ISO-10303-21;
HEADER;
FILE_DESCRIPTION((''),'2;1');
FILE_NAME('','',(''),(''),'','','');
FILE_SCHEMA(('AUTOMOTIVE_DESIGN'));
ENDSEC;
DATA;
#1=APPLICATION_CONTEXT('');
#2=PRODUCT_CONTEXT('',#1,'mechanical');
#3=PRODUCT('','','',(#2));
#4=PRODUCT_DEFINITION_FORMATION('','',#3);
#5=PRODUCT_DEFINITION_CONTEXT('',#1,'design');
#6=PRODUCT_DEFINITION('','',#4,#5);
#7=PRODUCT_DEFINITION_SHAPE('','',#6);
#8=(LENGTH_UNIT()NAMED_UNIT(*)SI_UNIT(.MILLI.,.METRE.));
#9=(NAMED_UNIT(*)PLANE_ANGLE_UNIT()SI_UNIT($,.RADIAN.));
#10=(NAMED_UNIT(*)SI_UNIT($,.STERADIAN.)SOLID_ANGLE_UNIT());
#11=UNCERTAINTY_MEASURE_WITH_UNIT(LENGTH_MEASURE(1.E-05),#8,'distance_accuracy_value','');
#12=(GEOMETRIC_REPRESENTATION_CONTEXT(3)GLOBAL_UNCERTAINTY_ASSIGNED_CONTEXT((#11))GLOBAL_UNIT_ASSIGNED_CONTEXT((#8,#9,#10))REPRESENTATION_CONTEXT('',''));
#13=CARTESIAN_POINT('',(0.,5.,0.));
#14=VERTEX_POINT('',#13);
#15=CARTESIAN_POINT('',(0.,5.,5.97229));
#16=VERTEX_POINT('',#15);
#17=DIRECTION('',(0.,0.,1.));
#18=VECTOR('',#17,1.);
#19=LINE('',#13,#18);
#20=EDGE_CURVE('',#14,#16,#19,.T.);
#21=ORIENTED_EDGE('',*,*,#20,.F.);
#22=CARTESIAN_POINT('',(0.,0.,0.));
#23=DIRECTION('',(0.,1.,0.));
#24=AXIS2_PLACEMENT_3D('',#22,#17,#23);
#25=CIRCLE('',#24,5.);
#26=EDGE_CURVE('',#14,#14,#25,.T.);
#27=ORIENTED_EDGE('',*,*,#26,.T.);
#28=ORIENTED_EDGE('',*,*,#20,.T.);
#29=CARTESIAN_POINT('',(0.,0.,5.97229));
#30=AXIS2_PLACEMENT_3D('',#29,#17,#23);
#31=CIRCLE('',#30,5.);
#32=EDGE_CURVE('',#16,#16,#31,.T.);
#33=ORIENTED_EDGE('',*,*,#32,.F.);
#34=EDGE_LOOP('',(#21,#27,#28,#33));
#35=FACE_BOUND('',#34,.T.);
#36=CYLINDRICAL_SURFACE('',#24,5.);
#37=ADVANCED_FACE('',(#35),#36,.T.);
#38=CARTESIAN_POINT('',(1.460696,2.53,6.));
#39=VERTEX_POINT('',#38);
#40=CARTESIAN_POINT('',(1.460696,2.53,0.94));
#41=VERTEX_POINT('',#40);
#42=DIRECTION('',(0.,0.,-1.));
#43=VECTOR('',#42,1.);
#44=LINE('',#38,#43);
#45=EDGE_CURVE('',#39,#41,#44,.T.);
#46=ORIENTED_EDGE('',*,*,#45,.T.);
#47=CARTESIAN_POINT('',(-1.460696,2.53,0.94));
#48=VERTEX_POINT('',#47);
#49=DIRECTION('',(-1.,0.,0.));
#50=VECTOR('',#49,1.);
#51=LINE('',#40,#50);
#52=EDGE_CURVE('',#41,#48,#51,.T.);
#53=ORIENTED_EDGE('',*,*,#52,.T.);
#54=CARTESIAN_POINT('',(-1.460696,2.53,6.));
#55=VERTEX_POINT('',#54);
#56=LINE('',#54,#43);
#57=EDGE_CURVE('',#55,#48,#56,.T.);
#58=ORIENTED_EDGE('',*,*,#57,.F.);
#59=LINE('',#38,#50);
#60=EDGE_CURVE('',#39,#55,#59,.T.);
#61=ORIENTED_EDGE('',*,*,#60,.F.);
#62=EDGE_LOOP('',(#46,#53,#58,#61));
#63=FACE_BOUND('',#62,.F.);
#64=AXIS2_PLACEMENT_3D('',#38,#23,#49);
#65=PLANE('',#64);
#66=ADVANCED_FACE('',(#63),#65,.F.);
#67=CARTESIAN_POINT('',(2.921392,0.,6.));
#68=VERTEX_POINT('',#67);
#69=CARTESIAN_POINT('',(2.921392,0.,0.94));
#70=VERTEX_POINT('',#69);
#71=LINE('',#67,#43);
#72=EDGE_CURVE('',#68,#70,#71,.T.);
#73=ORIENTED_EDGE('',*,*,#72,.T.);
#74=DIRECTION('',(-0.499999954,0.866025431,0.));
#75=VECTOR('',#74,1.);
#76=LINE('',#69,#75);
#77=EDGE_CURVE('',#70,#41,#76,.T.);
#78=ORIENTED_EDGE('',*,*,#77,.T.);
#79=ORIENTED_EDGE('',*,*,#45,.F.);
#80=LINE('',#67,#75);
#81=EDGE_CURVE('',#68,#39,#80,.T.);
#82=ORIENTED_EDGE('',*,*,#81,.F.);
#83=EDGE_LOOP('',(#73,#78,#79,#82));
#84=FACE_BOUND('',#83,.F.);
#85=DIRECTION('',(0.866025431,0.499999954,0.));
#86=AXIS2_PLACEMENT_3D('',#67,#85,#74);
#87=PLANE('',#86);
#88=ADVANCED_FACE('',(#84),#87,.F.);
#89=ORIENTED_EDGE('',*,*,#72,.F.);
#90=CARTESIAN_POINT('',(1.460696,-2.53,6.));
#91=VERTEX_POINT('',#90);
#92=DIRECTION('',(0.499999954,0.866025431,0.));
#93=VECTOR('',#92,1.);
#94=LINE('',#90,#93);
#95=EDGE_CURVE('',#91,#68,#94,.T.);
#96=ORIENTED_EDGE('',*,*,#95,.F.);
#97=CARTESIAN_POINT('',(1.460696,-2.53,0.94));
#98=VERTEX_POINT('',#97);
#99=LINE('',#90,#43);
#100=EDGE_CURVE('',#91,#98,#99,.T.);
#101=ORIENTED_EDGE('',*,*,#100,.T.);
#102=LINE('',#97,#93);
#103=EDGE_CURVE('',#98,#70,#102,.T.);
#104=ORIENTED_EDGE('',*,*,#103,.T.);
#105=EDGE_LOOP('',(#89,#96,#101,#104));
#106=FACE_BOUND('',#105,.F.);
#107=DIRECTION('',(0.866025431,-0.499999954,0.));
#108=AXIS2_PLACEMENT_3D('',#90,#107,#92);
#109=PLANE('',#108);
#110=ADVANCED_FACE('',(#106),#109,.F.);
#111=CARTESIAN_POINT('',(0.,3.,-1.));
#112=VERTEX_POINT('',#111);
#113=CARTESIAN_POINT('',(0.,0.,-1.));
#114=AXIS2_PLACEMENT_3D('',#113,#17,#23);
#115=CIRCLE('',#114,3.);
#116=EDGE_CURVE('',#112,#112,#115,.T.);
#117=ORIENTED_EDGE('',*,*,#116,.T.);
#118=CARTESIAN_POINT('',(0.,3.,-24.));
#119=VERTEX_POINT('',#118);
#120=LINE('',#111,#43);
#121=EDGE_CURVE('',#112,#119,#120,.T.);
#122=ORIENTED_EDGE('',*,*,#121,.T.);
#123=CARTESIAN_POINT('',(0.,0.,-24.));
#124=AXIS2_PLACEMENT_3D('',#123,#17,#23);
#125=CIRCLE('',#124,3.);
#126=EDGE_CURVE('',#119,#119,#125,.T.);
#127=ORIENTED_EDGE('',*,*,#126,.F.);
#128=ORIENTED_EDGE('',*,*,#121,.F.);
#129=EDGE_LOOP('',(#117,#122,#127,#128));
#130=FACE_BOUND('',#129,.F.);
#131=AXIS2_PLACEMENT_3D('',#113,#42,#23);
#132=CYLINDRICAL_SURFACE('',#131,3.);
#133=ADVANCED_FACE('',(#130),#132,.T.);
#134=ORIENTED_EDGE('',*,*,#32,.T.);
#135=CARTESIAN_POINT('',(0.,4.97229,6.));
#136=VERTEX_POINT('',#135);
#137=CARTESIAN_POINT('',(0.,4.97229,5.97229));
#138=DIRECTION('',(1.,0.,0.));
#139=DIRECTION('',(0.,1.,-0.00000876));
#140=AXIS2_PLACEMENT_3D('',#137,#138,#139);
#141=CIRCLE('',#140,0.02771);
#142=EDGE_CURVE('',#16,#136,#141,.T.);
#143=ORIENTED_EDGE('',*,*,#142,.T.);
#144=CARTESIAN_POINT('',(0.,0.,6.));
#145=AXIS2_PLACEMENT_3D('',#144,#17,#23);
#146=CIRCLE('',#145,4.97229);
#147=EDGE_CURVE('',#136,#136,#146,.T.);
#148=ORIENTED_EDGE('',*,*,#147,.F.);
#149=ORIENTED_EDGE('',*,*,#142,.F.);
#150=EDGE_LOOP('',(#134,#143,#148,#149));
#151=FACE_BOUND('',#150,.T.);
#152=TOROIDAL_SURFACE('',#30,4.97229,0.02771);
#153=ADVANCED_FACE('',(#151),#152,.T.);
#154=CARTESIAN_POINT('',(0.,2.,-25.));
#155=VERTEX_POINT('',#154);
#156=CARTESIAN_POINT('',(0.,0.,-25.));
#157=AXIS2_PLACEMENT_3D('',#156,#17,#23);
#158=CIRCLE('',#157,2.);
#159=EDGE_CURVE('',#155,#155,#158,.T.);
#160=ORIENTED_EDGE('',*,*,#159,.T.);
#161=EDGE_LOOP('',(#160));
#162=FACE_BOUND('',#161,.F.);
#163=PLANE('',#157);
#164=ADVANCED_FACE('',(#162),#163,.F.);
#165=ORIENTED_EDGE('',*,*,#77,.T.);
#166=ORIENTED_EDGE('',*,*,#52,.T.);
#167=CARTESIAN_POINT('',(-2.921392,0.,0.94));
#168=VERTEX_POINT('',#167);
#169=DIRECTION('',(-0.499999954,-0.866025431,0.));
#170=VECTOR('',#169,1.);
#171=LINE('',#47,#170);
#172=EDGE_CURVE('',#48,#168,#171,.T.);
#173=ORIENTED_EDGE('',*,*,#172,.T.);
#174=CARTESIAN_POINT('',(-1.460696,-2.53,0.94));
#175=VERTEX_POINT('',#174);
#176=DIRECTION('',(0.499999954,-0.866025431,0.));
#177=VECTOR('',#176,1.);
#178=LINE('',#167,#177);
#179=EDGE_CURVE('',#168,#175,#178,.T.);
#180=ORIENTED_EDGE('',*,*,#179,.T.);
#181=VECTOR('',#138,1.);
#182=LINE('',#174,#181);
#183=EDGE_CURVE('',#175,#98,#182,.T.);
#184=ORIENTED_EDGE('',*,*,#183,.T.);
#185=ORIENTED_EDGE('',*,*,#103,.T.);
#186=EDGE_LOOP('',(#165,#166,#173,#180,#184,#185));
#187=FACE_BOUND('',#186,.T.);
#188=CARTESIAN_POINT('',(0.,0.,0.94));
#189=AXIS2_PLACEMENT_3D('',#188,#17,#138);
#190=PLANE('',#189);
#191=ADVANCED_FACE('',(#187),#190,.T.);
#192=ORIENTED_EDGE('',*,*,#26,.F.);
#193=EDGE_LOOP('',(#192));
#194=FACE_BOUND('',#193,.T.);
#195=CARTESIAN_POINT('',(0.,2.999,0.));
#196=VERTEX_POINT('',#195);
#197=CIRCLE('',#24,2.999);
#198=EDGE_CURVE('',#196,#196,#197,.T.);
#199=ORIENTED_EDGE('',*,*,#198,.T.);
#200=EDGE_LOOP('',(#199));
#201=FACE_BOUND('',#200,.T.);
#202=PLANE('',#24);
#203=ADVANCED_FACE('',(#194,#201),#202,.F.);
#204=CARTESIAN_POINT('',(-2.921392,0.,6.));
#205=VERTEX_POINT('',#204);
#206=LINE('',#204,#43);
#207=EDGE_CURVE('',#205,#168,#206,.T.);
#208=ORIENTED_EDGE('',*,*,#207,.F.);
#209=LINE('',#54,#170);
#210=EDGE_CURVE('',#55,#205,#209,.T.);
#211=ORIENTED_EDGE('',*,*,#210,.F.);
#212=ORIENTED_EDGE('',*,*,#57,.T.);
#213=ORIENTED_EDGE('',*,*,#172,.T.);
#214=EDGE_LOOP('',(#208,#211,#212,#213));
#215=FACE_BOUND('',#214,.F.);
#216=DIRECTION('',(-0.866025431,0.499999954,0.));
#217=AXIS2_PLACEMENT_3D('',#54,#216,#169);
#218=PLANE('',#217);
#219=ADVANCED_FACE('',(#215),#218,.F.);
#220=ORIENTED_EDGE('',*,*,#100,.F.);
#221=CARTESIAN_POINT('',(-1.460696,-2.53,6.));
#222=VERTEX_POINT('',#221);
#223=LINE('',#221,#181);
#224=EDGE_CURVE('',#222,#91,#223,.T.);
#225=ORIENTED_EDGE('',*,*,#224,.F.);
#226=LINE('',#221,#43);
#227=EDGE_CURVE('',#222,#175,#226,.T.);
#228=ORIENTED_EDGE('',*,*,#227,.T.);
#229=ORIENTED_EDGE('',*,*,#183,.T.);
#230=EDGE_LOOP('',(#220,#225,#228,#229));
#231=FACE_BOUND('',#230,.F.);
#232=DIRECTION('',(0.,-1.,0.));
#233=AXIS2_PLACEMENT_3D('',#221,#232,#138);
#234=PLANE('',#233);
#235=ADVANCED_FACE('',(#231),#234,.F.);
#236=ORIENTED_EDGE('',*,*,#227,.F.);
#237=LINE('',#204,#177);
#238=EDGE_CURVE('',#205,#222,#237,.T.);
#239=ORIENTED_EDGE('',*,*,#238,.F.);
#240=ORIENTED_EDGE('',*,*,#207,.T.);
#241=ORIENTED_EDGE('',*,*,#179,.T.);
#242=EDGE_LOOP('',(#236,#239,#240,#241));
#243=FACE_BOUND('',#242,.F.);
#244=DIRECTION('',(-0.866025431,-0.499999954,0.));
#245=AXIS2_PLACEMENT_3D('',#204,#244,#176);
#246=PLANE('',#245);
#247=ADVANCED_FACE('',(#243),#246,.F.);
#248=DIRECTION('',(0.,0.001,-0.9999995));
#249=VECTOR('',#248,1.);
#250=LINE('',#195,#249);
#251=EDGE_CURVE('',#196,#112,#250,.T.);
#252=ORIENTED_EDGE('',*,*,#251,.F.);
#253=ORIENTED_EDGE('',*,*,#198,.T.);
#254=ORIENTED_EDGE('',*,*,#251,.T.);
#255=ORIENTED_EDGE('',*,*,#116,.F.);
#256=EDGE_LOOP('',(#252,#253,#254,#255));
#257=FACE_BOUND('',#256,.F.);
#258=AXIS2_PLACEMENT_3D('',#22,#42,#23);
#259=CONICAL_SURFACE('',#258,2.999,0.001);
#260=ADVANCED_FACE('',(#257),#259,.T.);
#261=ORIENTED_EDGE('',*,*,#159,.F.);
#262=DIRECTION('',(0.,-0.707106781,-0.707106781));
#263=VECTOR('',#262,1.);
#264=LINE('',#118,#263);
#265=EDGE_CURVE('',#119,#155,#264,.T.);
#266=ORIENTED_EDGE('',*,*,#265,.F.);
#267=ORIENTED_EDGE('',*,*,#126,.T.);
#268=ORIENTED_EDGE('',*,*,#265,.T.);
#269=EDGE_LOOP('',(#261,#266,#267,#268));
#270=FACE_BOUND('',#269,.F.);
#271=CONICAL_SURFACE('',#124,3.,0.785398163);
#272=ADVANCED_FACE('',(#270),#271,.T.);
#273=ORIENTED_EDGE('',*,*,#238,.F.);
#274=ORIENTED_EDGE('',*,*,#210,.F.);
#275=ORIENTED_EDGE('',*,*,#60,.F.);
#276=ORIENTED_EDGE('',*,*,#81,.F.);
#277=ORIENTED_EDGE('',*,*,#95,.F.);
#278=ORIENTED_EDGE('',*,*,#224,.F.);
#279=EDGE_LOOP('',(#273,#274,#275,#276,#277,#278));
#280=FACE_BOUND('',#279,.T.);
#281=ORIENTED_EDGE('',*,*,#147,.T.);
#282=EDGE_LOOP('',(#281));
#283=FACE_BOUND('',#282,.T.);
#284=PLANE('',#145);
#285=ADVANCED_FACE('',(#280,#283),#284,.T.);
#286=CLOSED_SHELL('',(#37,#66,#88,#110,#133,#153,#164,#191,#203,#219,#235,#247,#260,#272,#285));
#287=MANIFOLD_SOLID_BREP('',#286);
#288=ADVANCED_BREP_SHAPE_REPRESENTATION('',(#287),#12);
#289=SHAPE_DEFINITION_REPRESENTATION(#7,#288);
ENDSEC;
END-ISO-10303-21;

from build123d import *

# Parameters (mm, degrees)
POCKET_DEPTH = 5.06


with BuildPart() as part:
    # Sketch → Revolve (revolve)
    with BuildSketch(Plane.YZ):
        with BuildLine():
            Line((2.999, 0), (5, 0))
            Line((5, 0), (5, 5.97229))
            ThreePointArc((5, 5.97229), (4.991884, 5.991884), (4.97229, 6))
            Line((4.97229, 6), (0, 6))
            Line((0, -25), (0, 6))
            Line((2, -25), (0, -25))
            Line((3, -24), (2, -25))
            Line((3, -1), (3, -24))
            Line((2.999, 0), (3, -1))
        make_face()
    revolve(axis=Axis((0, 0, 0), (0, 0, 1)))

    # Sketch001 → Pocket (cut)
    with BuildSketch(Plane.XY.offset(6)):
        Polygon((2.921392, 0), (1.460696, 2.53), (-1.460696, 2.53), (-2.921392, 0), (-1.460696, -2.53), (1.460696, -2.53), align=None)
    extrude(amount=-POCKET_DEPTH, mode=Mode.SUBTRACT)


solid = part.part
